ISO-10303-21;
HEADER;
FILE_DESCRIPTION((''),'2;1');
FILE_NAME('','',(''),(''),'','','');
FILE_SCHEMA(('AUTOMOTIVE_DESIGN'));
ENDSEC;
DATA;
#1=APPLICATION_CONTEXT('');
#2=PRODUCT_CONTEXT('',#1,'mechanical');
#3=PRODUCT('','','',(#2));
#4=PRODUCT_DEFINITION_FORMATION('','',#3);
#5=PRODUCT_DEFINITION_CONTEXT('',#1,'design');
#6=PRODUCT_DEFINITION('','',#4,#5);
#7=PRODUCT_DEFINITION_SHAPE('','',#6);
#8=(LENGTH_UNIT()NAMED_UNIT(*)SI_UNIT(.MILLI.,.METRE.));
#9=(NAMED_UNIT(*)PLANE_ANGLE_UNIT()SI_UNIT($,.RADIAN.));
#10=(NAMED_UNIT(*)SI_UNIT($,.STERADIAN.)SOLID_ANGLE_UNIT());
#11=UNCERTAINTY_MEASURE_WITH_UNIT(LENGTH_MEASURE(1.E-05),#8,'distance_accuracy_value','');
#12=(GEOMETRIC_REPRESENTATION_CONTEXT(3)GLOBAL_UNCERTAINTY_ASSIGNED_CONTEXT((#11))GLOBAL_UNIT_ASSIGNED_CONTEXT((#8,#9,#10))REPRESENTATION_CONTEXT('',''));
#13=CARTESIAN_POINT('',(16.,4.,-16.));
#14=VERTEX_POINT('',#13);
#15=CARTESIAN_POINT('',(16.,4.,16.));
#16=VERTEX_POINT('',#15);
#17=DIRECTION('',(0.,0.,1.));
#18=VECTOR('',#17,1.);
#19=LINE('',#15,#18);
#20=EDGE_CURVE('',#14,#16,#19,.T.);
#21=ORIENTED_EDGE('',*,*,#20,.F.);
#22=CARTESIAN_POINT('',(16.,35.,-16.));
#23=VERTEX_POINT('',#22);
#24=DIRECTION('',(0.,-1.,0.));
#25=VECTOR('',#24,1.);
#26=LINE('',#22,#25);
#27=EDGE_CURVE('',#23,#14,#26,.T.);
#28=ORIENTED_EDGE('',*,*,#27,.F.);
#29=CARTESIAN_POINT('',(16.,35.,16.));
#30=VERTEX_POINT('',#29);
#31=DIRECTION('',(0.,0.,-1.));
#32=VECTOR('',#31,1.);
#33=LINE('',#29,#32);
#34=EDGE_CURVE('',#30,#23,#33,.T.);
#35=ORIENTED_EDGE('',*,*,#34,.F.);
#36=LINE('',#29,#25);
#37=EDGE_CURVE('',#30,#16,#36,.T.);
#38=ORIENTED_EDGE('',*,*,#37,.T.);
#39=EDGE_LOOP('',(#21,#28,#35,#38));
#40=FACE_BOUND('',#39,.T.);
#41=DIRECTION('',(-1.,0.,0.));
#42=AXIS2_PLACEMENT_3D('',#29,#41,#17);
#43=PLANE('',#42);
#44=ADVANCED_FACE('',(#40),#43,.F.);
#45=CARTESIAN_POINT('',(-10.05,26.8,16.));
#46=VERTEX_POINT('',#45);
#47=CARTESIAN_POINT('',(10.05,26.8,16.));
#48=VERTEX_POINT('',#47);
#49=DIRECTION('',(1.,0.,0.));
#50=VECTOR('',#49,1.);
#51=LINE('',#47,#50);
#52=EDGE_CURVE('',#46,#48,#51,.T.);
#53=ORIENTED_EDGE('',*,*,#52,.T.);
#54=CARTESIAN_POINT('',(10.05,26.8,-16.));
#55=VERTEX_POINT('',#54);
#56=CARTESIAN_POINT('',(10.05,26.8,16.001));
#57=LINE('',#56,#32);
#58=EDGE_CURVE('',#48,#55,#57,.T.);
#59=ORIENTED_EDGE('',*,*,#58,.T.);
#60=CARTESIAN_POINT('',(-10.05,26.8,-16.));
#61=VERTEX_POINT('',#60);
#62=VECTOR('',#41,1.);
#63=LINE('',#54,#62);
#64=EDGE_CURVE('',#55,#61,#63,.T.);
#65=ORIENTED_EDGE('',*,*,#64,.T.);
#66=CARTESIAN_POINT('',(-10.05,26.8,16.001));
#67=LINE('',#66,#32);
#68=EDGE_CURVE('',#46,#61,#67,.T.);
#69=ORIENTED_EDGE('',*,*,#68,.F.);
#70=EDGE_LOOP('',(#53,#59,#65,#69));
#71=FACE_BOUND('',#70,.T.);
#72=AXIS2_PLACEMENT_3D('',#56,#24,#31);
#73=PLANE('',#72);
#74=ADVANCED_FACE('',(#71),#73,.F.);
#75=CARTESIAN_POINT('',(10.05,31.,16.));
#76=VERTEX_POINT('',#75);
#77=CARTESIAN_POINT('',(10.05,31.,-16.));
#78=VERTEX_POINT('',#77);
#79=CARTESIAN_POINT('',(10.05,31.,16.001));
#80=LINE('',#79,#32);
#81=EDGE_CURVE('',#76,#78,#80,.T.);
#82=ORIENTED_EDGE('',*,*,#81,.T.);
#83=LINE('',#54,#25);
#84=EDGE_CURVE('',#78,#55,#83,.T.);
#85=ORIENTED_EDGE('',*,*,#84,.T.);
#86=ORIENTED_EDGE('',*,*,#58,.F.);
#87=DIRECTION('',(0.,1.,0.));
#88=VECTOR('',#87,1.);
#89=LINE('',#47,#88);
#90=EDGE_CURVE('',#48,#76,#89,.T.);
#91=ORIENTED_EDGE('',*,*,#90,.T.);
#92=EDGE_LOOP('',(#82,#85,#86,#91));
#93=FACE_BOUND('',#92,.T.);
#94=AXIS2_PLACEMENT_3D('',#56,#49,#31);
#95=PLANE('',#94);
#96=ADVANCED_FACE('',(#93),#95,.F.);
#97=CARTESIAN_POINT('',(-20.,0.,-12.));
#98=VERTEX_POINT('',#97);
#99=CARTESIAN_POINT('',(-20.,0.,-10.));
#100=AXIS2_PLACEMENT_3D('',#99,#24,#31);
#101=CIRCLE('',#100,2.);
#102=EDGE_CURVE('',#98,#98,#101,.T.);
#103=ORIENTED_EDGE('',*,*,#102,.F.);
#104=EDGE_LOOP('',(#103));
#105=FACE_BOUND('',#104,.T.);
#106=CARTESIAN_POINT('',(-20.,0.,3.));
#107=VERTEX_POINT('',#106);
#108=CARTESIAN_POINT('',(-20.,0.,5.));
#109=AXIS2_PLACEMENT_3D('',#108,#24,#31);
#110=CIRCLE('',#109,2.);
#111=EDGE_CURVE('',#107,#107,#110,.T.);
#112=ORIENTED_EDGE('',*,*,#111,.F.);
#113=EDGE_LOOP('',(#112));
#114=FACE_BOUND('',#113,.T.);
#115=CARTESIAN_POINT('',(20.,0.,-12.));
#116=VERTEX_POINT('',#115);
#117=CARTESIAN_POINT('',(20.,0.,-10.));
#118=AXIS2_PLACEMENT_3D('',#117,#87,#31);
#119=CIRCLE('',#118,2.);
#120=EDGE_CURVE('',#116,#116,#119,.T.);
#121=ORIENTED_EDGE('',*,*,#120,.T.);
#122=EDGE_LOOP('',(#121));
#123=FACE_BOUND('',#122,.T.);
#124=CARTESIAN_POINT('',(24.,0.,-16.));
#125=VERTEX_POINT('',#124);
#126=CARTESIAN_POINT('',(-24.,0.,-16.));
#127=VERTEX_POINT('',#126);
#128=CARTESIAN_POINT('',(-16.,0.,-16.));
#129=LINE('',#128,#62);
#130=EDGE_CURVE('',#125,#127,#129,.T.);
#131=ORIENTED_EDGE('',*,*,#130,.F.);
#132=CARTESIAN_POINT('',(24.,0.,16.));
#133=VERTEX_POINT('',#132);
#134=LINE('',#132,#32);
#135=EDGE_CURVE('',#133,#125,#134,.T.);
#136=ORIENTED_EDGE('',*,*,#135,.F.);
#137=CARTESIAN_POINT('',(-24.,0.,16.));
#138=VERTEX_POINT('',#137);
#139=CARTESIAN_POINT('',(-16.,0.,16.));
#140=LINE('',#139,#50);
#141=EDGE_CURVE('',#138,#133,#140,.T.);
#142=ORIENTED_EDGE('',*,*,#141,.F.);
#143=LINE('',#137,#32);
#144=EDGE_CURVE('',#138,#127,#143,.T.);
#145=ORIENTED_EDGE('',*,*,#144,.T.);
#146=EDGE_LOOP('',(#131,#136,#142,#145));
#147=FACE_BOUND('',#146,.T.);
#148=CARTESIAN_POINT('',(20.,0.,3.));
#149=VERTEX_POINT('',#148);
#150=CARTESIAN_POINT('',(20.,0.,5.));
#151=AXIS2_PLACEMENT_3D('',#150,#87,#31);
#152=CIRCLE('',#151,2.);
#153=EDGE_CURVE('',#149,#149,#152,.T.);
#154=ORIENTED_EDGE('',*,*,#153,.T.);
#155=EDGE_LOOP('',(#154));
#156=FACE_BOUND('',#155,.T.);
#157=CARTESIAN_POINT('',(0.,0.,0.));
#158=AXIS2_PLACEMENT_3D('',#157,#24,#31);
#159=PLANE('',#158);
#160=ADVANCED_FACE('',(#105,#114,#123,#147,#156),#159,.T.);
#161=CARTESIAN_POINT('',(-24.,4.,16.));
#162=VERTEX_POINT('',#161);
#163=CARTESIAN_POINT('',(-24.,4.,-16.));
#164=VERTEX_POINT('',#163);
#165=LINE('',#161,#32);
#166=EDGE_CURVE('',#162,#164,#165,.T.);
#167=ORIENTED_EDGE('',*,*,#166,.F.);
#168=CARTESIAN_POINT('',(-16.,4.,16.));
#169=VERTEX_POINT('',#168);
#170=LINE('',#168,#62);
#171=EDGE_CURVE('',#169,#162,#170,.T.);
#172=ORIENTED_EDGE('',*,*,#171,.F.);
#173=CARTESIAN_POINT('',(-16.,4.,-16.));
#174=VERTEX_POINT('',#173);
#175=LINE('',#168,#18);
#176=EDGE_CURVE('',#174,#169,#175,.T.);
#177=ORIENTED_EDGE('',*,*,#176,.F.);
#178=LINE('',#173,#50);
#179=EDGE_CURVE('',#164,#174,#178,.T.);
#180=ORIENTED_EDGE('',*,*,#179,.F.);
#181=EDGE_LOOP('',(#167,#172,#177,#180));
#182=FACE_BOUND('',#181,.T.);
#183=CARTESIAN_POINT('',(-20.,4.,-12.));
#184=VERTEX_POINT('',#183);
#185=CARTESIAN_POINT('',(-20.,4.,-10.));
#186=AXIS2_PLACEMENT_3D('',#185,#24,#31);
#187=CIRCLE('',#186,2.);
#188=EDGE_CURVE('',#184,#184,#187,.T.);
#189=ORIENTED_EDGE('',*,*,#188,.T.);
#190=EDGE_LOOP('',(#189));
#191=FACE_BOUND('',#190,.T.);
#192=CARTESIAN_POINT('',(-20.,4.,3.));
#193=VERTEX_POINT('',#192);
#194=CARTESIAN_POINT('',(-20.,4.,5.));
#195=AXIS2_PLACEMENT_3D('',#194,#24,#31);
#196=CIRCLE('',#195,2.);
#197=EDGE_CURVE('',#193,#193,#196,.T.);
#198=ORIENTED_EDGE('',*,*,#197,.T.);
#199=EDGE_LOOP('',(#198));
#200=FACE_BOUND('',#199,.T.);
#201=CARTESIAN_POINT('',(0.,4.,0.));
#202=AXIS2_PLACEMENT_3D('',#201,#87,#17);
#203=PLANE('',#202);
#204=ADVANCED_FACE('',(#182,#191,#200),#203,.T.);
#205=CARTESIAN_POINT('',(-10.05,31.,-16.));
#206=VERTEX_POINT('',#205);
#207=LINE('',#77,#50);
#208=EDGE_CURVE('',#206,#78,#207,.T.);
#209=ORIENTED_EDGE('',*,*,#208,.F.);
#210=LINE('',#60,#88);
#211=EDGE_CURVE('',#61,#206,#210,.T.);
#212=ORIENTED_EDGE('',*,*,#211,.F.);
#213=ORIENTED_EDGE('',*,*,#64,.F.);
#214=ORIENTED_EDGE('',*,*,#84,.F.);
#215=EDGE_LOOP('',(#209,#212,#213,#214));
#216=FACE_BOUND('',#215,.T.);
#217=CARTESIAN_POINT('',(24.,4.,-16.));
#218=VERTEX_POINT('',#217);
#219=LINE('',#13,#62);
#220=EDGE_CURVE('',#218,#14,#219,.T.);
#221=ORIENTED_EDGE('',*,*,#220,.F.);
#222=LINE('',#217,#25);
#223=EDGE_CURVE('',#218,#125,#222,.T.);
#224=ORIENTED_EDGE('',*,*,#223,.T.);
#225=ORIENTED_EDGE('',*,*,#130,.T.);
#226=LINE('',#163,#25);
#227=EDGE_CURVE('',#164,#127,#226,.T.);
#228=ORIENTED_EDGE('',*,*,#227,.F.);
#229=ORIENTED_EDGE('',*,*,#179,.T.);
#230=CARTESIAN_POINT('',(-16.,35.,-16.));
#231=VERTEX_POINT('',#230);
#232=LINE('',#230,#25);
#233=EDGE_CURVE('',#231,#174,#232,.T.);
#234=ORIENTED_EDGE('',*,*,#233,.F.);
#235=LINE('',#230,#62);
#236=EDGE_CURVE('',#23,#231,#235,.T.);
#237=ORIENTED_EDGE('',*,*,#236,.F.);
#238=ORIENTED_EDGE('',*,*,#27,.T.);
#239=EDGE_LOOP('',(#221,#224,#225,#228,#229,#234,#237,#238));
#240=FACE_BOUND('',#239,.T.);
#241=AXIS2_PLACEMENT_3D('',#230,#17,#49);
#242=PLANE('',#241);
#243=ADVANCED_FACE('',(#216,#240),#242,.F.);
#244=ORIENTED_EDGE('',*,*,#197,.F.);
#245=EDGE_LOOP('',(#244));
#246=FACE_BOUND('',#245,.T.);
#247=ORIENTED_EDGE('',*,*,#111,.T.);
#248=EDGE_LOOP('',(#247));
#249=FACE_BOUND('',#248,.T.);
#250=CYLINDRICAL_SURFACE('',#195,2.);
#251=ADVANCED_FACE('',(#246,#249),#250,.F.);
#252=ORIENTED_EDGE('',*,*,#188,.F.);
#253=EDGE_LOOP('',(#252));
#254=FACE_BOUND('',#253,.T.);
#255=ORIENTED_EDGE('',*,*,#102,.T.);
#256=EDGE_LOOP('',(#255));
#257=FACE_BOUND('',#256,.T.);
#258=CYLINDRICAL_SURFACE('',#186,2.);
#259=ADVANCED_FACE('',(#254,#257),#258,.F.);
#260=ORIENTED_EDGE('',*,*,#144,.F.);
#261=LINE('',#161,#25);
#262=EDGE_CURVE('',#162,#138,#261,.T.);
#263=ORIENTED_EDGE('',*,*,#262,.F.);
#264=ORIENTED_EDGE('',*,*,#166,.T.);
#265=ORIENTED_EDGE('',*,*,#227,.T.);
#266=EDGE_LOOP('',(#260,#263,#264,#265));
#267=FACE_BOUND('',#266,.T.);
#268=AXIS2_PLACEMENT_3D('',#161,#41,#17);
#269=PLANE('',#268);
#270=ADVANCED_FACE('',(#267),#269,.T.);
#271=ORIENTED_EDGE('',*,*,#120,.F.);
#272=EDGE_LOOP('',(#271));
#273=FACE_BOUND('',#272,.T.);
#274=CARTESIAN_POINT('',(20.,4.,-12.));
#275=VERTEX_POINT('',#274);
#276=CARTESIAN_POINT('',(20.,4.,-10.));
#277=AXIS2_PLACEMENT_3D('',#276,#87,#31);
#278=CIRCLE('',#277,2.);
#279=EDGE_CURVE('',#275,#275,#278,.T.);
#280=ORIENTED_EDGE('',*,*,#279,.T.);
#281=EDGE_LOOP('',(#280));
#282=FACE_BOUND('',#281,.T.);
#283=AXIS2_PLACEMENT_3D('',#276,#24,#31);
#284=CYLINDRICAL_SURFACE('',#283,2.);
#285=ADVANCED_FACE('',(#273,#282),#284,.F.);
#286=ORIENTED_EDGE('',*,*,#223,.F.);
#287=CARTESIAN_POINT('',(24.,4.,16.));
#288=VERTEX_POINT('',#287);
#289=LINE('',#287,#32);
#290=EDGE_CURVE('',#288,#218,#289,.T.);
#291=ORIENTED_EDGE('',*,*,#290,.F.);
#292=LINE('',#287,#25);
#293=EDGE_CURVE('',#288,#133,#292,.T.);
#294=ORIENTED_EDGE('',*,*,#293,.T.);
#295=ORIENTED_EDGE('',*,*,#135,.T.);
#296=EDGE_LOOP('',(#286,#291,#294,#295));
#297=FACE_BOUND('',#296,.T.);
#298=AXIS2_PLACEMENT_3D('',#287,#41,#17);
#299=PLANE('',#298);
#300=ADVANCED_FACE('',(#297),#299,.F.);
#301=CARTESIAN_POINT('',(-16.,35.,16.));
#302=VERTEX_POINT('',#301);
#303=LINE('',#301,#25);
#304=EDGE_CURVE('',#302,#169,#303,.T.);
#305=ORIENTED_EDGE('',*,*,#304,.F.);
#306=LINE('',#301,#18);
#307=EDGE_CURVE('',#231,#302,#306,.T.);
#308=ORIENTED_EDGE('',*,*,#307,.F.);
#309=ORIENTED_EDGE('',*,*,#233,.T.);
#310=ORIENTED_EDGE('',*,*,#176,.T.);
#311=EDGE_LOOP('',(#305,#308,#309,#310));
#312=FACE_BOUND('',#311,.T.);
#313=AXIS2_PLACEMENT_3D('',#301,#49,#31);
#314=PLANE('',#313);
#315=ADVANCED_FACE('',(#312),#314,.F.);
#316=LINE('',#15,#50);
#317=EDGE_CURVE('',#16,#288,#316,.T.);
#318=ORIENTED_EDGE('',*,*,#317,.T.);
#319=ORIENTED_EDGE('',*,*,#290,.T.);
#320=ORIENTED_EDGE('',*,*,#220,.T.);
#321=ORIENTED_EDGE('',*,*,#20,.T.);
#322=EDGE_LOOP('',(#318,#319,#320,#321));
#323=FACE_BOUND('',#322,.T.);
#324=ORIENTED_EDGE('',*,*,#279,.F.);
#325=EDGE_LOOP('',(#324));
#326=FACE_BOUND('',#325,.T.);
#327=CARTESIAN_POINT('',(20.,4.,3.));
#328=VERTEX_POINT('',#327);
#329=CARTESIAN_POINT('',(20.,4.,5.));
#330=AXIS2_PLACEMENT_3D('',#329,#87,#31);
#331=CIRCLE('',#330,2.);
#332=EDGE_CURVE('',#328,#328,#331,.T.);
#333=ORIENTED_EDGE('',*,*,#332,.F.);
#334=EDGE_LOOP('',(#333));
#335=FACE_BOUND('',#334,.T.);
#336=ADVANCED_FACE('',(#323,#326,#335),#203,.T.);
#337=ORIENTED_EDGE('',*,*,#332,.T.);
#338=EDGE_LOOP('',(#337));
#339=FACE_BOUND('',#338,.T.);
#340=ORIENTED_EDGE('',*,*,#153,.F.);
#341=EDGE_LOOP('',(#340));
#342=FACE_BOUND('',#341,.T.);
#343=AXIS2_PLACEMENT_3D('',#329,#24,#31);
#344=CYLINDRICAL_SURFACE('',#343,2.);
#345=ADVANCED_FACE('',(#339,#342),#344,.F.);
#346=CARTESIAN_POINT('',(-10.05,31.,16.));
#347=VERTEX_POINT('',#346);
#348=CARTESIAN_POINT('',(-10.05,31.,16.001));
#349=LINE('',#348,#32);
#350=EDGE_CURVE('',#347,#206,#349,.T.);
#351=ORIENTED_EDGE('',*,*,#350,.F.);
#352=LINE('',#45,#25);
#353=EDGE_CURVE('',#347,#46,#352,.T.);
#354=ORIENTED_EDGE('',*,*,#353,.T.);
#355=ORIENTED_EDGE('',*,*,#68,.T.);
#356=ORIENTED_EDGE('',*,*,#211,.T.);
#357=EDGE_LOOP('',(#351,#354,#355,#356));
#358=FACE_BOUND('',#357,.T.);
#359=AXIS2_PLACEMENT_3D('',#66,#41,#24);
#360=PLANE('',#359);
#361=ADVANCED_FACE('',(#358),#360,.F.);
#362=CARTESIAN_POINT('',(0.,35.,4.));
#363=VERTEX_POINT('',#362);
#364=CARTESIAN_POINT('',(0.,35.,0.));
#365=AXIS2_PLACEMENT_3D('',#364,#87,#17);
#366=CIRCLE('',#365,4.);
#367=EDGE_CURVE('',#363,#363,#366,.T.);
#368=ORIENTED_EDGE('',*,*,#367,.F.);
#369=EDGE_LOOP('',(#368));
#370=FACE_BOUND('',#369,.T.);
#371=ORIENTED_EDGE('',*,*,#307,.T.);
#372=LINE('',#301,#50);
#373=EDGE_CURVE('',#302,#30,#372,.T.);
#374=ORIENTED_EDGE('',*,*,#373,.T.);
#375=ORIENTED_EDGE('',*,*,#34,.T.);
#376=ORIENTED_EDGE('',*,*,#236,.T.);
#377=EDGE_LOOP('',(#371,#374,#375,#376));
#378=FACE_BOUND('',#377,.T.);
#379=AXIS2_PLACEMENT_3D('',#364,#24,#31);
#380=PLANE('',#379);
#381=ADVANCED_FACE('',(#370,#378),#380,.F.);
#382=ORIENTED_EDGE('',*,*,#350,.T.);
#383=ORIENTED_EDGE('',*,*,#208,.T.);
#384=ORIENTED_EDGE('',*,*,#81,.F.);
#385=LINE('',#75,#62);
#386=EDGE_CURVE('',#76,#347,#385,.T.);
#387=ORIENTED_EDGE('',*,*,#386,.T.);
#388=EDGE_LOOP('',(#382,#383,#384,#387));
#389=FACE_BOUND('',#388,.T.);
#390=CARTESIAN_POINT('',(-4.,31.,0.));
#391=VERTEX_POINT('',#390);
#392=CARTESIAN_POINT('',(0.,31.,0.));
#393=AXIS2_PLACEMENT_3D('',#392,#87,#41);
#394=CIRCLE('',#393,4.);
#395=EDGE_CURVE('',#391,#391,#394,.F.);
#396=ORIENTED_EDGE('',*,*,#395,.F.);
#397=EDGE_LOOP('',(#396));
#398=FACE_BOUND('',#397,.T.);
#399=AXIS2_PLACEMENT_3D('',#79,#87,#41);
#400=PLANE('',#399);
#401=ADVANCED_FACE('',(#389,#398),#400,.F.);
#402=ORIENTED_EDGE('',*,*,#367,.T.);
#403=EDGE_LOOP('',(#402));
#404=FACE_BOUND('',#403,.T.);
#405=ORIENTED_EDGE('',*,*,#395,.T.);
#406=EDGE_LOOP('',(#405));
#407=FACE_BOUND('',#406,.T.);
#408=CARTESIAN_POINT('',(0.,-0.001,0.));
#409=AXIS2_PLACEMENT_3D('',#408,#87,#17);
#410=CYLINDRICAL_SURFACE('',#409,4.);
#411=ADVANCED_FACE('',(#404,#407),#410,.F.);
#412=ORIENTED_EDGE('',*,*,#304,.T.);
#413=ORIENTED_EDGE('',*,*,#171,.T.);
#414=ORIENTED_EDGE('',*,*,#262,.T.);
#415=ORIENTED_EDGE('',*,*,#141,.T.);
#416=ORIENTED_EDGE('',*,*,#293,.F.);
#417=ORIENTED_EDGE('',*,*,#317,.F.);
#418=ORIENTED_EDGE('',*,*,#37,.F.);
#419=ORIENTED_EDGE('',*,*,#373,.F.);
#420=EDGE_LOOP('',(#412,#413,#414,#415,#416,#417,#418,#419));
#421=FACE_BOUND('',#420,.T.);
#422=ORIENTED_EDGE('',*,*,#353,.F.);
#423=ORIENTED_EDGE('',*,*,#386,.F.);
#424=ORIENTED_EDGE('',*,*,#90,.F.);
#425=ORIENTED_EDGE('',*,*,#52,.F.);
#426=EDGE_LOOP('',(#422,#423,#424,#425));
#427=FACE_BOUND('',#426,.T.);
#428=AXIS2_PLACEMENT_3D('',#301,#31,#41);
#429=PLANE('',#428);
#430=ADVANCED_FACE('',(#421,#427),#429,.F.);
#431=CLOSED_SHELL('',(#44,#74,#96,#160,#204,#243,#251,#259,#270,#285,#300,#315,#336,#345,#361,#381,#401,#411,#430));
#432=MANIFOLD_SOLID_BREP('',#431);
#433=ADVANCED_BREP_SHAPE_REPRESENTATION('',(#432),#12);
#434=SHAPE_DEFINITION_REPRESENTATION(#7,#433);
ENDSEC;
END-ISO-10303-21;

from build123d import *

# Parameters (mm, degrees)
SKETCH1_W           = 32
SKETCH1_H           = 32
BOSS_EXTRUDE1_DEPTH = 35
SKETCH2_W           = 8
SKETCH2_H           = 32
SKETCH2_R           = 2
BOSS_EXTRUDE2_DEPTH = 4
CUT_EXTRUDE1_REACH  = 55.151
SKETCH4_W           = 20.1
SKETCH4_H           = 4.2
CUT_EXTRUDE2_REACH  = 47.354
SKETCH5_R           = 4


with BuildPart() as part:
    # Sketch1 → Boss-Extrude1 (new body)
    with BuildSketch(Plane(origin=(0, 0, 0), x_dir=(1, 0, 0), z_dir=(0, 1, 0))):
        Rectangle(SKETCH1_W, SKETCH1_H)
    extrude(amount=BOSS_EXTRUDE1_DEPTH)

    # Sketch2 → Boss-Extrude2 (add)
    with BuildSketch(Plane.XZ):
        with Locations((-20, 0)):
            Rectangle(SKETCH2_W, SKETCH2_H)
        with Locations(Location((-20, 5, 0), (0, 0, 270))):
            Circle(SKETCH2_R, mode=Mode.SUBTRACT)
        with Locations(Location((-20, -10, 0), (0, 0, 270))):
            Circle(SKETCH2_R, mode=Mode.SUBTRACT)
    boss_extrude2 = extrude(amount=-BOSS_EXTRUDE2_DEPTH)

    # Mirror1: Boss-Extrude2 across plane
    add(boss_extrude2.mirror(Plane(origin=(0, 0, 0), x_dir=(0, 0, 1), z_dir=(1, 0, 0))))

    # Sketch4 → Cut-Extrude1 (cut, up to next)
    with BuildSketch(Plane(origin=(0, 0, -16), x_dir=(-1, 0, 0), z_dir=(0, 0, -1)), mode=Mode.PRIVATE) as cut_extrude1_sk1:
        with Locations((0, 28.9)):
            Rectangle(SKETCH4_W, SKETCH4_H)
    cut_extrude1_tool1 = extrude(cut_extrude1_sk1.sketch, amount=-CUT_EXTRUDE1_REACH, mode=Mode.PRIVATE) & part.part
    add(cut_extrude1_tool1.solids().sort_by_distance((0, 28.9, -16))[0], mode=Mode.SUBTRACT)

    # Sketch5 → Cut-Extrude2 (cut, up to next)
    with BuildSketch(Plane(origin=(0, 35, 0), x_dir=(1, 0, 0), z_dir=(0, 1, 0)), mode=Mode.PRIVATE) as cut_extrude2_sk1:
        with Locations(Location((0, 0, 0), (0, 0, 270))):
            Circle(SKETCH5_R)
    cut_extrude2_tool1 = extrude(cut_extrude2_sk1.sketch, amount=-CUT_EXTRUDE2_REACH, mode=Mode.PRIVATE) & part.part
    add(cut_extrude2_tool1.solids().sort_by_distance((0, 35, 0))[0], mode=Mode.SUBTRACT)


solid = part.part
